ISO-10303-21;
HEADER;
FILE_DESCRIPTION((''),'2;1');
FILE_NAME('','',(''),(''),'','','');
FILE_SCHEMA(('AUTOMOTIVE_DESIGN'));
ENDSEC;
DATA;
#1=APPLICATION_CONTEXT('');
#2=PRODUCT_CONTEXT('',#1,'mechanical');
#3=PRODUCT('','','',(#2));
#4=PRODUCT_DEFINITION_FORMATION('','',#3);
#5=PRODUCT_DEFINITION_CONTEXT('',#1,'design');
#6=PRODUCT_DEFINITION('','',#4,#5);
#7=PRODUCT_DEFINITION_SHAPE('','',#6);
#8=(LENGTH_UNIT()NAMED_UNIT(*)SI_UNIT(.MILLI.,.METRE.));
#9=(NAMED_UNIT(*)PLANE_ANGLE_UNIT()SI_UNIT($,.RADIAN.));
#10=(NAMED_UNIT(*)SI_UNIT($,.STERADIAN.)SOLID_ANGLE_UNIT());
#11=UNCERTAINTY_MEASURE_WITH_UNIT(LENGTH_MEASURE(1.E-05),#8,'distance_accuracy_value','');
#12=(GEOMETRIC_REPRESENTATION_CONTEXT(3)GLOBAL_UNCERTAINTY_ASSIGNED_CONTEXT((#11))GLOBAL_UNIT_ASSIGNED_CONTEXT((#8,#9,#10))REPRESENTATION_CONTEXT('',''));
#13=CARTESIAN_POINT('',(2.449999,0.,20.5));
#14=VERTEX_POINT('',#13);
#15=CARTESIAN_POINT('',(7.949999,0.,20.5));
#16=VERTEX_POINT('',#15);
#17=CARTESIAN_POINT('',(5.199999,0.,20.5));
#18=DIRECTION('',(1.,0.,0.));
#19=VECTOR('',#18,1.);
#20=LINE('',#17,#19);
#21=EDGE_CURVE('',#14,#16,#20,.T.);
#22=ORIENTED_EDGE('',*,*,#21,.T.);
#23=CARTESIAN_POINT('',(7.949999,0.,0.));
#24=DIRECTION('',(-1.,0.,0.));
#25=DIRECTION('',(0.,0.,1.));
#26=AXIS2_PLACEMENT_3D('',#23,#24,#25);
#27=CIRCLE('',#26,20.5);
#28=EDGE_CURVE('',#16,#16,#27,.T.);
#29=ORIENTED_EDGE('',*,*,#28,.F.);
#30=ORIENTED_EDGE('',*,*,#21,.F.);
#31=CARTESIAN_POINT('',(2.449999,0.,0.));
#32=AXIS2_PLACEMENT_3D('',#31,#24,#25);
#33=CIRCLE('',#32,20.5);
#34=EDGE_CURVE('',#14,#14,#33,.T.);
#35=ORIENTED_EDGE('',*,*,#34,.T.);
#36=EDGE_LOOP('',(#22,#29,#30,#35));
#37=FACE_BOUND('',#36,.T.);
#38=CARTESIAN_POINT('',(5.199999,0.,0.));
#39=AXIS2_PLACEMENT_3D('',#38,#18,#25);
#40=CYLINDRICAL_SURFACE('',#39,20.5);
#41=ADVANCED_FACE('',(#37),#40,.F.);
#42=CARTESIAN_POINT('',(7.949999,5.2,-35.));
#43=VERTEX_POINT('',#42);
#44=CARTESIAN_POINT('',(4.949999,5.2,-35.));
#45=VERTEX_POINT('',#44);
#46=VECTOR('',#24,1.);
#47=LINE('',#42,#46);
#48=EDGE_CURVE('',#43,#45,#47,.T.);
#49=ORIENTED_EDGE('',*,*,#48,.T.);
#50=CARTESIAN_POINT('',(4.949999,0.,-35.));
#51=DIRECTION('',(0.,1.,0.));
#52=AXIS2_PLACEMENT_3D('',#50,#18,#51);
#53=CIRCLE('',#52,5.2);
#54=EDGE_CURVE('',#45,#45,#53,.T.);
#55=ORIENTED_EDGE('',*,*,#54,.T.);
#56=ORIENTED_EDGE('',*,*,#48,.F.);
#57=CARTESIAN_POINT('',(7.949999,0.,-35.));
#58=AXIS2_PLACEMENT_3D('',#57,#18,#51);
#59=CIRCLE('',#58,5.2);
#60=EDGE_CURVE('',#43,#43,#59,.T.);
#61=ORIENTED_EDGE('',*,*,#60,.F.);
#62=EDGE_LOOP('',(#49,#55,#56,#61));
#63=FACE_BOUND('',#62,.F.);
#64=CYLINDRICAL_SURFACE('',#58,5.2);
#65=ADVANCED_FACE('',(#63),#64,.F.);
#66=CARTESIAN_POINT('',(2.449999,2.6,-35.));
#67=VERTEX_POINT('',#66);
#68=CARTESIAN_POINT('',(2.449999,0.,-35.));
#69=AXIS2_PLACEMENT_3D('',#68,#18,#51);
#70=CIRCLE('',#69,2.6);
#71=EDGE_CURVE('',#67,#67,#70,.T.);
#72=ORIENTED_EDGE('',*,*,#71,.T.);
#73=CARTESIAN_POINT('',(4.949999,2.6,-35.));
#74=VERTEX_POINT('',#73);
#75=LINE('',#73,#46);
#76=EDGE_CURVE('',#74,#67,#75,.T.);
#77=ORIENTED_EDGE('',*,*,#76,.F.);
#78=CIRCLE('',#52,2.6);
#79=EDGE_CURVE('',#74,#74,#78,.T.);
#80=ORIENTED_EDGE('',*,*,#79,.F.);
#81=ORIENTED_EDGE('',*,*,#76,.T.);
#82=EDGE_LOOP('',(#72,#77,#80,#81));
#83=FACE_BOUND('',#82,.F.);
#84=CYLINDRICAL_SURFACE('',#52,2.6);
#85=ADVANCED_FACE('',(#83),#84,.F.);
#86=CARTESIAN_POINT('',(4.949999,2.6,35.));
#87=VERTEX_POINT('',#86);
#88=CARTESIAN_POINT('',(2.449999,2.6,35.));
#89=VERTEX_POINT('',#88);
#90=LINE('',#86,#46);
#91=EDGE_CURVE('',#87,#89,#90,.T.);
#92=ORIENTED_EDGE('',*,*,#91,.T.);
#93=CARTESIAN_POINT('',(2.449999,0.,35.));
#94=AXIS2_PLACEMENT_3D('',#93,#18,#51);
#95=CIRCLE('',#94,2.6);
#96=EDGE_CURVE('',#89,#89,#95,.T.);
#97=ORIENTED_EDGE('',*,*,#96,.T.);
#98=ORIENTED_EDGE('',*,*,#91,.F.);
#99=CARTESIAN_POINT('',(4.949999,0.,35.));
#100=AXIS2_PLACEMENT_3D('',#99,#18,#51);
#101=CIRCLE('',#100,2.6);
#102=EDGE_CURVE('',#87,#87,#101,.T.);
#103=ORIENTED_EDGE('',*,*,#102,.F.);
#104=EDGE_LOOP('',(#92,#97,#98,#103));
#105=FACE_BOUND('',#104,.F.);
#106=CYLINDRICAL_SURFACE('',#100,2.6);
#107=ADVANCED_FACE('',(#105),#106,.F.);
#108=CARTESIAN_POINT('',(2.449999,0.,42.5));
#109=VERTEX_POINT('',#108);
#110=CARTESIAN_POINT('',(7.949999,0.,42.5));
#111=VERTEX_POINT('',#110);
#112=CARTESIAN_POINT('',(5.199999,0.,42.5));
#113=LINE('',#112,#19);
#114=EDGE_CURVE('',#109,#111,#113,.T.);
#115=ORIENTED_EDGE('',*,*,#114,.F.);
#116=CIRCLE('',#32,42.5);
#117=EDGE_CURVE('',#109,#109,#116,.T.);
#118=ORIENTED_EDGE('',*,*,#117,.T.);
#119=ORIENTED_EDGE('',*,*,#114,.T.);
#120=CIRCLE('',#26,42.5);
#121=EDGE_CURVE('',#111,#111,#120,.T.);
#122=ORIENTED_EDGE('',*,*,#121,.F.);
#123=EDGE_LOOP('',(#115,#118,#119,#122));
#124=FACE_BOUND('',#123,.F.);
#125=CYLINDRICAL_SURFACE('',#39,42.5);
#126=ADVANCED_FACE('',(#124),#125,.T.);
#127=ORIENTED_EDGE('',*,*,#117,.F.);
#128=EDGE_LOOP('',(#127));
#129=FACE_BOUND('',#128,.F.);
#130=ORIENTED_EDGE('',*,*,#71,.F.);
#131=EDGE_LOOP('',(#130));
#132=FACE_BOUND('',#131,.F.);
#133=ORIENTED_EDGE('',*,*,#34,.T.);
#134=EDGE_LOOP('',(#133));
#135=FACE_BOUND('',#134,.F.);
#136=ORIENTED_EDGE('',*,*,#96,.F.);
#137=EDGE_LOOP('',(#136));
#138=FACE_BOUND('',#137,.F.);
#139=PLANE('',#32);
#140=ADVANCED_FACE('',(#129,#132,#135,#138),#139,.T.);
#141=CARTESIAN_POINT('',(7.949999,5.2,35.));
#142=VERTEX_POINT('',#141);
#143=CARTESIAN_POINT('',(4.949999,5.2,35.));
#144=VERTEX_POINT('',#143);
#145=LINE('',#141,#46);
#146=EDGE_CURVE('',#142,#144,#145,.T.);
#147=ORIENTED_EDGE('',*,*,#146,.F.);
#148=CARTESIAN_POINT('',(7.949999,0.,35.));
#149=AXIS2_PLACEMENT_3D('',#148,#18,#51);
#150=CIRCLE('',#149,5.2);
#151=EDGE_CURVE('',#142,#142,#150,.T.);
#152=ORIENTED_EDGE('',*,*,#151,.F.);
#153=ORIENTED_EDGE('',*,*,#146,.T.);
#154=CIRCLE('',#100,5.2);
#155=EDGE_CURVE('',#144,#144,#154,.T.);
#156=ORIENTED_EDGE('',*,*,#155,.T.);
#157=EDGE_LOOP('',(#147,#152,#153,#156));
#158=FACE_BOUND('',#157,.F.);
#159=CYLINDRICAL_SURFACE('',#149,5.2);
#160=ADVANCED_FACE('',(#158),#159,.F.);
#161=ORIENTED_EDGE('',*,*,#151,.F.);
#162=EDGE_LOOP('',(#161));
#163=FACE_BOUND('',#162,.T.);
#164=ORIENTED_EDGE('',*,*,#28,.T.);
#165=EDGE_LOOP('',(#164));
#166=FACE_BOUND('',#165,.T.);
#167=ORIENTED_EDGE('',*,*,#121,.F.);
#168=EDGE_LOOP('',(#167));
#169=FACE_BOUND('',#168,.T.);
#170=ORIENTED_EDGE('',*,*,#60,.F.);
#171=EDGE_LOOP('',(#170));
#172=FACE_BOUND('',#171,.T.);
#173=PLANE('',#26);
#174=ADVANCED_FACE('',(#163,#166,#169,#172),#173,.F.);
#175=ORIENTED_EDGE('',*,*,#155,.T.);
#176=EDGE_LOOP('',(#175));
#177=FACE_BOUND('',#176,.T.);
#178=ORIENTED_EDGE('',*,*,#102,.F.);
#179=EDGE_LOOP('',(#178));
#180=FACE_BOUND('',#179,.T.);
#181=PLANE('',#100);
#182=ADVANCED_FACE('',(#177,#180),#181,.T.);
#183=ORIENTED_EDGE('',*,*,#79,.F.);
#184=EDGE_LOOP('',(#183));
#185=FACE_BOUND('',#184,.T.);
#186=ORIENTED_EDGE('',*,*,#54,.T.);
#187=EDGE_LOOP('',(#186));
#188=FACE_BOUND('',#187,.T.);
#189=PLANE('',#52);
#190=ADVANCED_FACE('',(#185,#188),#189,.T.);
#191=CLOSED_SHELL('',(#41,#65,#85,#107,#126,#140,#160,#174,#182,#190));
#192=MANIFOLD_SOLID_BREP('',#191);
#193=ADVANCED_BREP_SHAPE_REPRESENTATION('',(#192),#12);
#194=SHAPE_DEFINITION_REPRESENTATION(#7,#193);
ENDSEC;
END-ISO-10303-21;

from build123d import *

# Parameters (mm, degrees)
F0_W     = 5.5
F0_H     = 22
F2_R     = 5.2
F3_DEPTH = 3
F4_R     = 2.6
F5_DEPTH = 25


with BuildPart() as f1:
    # F0 (on Front) → F1 (revolve)
    with BuildSketch(Plane.XZ):
        with Locations((5.199999, 31.5)):
            Rectangle(F0_W, F0_H)
    revolve(axis=Axis((-4.686111, 0, 0), (-1, 0, 0)))

    # F2 (on face) → F3 (cut)
    with BuildSketch(Plane.YZ.offset(7.949999)):
        with Locations((0, 35)):
            Circle(F2_R)
        with Locations((0, -35)):
            Circle(F2_R)
    extrude(amount=-F3_DEPTH, mode=Mode.SUBTRACT)

    # F4 (on face) → F5 (cut)
    with BuildSketch(Plane.YZ.offset(4.949999)):
        with Locations((0, 35)):
            Circle(F4_R)
        with Locations((0, -35)):
            Circle(F4_R)
    extrude(amount=-F5_DEPTH, mode=Mode.SUBTRACT)


solid = f1.part
